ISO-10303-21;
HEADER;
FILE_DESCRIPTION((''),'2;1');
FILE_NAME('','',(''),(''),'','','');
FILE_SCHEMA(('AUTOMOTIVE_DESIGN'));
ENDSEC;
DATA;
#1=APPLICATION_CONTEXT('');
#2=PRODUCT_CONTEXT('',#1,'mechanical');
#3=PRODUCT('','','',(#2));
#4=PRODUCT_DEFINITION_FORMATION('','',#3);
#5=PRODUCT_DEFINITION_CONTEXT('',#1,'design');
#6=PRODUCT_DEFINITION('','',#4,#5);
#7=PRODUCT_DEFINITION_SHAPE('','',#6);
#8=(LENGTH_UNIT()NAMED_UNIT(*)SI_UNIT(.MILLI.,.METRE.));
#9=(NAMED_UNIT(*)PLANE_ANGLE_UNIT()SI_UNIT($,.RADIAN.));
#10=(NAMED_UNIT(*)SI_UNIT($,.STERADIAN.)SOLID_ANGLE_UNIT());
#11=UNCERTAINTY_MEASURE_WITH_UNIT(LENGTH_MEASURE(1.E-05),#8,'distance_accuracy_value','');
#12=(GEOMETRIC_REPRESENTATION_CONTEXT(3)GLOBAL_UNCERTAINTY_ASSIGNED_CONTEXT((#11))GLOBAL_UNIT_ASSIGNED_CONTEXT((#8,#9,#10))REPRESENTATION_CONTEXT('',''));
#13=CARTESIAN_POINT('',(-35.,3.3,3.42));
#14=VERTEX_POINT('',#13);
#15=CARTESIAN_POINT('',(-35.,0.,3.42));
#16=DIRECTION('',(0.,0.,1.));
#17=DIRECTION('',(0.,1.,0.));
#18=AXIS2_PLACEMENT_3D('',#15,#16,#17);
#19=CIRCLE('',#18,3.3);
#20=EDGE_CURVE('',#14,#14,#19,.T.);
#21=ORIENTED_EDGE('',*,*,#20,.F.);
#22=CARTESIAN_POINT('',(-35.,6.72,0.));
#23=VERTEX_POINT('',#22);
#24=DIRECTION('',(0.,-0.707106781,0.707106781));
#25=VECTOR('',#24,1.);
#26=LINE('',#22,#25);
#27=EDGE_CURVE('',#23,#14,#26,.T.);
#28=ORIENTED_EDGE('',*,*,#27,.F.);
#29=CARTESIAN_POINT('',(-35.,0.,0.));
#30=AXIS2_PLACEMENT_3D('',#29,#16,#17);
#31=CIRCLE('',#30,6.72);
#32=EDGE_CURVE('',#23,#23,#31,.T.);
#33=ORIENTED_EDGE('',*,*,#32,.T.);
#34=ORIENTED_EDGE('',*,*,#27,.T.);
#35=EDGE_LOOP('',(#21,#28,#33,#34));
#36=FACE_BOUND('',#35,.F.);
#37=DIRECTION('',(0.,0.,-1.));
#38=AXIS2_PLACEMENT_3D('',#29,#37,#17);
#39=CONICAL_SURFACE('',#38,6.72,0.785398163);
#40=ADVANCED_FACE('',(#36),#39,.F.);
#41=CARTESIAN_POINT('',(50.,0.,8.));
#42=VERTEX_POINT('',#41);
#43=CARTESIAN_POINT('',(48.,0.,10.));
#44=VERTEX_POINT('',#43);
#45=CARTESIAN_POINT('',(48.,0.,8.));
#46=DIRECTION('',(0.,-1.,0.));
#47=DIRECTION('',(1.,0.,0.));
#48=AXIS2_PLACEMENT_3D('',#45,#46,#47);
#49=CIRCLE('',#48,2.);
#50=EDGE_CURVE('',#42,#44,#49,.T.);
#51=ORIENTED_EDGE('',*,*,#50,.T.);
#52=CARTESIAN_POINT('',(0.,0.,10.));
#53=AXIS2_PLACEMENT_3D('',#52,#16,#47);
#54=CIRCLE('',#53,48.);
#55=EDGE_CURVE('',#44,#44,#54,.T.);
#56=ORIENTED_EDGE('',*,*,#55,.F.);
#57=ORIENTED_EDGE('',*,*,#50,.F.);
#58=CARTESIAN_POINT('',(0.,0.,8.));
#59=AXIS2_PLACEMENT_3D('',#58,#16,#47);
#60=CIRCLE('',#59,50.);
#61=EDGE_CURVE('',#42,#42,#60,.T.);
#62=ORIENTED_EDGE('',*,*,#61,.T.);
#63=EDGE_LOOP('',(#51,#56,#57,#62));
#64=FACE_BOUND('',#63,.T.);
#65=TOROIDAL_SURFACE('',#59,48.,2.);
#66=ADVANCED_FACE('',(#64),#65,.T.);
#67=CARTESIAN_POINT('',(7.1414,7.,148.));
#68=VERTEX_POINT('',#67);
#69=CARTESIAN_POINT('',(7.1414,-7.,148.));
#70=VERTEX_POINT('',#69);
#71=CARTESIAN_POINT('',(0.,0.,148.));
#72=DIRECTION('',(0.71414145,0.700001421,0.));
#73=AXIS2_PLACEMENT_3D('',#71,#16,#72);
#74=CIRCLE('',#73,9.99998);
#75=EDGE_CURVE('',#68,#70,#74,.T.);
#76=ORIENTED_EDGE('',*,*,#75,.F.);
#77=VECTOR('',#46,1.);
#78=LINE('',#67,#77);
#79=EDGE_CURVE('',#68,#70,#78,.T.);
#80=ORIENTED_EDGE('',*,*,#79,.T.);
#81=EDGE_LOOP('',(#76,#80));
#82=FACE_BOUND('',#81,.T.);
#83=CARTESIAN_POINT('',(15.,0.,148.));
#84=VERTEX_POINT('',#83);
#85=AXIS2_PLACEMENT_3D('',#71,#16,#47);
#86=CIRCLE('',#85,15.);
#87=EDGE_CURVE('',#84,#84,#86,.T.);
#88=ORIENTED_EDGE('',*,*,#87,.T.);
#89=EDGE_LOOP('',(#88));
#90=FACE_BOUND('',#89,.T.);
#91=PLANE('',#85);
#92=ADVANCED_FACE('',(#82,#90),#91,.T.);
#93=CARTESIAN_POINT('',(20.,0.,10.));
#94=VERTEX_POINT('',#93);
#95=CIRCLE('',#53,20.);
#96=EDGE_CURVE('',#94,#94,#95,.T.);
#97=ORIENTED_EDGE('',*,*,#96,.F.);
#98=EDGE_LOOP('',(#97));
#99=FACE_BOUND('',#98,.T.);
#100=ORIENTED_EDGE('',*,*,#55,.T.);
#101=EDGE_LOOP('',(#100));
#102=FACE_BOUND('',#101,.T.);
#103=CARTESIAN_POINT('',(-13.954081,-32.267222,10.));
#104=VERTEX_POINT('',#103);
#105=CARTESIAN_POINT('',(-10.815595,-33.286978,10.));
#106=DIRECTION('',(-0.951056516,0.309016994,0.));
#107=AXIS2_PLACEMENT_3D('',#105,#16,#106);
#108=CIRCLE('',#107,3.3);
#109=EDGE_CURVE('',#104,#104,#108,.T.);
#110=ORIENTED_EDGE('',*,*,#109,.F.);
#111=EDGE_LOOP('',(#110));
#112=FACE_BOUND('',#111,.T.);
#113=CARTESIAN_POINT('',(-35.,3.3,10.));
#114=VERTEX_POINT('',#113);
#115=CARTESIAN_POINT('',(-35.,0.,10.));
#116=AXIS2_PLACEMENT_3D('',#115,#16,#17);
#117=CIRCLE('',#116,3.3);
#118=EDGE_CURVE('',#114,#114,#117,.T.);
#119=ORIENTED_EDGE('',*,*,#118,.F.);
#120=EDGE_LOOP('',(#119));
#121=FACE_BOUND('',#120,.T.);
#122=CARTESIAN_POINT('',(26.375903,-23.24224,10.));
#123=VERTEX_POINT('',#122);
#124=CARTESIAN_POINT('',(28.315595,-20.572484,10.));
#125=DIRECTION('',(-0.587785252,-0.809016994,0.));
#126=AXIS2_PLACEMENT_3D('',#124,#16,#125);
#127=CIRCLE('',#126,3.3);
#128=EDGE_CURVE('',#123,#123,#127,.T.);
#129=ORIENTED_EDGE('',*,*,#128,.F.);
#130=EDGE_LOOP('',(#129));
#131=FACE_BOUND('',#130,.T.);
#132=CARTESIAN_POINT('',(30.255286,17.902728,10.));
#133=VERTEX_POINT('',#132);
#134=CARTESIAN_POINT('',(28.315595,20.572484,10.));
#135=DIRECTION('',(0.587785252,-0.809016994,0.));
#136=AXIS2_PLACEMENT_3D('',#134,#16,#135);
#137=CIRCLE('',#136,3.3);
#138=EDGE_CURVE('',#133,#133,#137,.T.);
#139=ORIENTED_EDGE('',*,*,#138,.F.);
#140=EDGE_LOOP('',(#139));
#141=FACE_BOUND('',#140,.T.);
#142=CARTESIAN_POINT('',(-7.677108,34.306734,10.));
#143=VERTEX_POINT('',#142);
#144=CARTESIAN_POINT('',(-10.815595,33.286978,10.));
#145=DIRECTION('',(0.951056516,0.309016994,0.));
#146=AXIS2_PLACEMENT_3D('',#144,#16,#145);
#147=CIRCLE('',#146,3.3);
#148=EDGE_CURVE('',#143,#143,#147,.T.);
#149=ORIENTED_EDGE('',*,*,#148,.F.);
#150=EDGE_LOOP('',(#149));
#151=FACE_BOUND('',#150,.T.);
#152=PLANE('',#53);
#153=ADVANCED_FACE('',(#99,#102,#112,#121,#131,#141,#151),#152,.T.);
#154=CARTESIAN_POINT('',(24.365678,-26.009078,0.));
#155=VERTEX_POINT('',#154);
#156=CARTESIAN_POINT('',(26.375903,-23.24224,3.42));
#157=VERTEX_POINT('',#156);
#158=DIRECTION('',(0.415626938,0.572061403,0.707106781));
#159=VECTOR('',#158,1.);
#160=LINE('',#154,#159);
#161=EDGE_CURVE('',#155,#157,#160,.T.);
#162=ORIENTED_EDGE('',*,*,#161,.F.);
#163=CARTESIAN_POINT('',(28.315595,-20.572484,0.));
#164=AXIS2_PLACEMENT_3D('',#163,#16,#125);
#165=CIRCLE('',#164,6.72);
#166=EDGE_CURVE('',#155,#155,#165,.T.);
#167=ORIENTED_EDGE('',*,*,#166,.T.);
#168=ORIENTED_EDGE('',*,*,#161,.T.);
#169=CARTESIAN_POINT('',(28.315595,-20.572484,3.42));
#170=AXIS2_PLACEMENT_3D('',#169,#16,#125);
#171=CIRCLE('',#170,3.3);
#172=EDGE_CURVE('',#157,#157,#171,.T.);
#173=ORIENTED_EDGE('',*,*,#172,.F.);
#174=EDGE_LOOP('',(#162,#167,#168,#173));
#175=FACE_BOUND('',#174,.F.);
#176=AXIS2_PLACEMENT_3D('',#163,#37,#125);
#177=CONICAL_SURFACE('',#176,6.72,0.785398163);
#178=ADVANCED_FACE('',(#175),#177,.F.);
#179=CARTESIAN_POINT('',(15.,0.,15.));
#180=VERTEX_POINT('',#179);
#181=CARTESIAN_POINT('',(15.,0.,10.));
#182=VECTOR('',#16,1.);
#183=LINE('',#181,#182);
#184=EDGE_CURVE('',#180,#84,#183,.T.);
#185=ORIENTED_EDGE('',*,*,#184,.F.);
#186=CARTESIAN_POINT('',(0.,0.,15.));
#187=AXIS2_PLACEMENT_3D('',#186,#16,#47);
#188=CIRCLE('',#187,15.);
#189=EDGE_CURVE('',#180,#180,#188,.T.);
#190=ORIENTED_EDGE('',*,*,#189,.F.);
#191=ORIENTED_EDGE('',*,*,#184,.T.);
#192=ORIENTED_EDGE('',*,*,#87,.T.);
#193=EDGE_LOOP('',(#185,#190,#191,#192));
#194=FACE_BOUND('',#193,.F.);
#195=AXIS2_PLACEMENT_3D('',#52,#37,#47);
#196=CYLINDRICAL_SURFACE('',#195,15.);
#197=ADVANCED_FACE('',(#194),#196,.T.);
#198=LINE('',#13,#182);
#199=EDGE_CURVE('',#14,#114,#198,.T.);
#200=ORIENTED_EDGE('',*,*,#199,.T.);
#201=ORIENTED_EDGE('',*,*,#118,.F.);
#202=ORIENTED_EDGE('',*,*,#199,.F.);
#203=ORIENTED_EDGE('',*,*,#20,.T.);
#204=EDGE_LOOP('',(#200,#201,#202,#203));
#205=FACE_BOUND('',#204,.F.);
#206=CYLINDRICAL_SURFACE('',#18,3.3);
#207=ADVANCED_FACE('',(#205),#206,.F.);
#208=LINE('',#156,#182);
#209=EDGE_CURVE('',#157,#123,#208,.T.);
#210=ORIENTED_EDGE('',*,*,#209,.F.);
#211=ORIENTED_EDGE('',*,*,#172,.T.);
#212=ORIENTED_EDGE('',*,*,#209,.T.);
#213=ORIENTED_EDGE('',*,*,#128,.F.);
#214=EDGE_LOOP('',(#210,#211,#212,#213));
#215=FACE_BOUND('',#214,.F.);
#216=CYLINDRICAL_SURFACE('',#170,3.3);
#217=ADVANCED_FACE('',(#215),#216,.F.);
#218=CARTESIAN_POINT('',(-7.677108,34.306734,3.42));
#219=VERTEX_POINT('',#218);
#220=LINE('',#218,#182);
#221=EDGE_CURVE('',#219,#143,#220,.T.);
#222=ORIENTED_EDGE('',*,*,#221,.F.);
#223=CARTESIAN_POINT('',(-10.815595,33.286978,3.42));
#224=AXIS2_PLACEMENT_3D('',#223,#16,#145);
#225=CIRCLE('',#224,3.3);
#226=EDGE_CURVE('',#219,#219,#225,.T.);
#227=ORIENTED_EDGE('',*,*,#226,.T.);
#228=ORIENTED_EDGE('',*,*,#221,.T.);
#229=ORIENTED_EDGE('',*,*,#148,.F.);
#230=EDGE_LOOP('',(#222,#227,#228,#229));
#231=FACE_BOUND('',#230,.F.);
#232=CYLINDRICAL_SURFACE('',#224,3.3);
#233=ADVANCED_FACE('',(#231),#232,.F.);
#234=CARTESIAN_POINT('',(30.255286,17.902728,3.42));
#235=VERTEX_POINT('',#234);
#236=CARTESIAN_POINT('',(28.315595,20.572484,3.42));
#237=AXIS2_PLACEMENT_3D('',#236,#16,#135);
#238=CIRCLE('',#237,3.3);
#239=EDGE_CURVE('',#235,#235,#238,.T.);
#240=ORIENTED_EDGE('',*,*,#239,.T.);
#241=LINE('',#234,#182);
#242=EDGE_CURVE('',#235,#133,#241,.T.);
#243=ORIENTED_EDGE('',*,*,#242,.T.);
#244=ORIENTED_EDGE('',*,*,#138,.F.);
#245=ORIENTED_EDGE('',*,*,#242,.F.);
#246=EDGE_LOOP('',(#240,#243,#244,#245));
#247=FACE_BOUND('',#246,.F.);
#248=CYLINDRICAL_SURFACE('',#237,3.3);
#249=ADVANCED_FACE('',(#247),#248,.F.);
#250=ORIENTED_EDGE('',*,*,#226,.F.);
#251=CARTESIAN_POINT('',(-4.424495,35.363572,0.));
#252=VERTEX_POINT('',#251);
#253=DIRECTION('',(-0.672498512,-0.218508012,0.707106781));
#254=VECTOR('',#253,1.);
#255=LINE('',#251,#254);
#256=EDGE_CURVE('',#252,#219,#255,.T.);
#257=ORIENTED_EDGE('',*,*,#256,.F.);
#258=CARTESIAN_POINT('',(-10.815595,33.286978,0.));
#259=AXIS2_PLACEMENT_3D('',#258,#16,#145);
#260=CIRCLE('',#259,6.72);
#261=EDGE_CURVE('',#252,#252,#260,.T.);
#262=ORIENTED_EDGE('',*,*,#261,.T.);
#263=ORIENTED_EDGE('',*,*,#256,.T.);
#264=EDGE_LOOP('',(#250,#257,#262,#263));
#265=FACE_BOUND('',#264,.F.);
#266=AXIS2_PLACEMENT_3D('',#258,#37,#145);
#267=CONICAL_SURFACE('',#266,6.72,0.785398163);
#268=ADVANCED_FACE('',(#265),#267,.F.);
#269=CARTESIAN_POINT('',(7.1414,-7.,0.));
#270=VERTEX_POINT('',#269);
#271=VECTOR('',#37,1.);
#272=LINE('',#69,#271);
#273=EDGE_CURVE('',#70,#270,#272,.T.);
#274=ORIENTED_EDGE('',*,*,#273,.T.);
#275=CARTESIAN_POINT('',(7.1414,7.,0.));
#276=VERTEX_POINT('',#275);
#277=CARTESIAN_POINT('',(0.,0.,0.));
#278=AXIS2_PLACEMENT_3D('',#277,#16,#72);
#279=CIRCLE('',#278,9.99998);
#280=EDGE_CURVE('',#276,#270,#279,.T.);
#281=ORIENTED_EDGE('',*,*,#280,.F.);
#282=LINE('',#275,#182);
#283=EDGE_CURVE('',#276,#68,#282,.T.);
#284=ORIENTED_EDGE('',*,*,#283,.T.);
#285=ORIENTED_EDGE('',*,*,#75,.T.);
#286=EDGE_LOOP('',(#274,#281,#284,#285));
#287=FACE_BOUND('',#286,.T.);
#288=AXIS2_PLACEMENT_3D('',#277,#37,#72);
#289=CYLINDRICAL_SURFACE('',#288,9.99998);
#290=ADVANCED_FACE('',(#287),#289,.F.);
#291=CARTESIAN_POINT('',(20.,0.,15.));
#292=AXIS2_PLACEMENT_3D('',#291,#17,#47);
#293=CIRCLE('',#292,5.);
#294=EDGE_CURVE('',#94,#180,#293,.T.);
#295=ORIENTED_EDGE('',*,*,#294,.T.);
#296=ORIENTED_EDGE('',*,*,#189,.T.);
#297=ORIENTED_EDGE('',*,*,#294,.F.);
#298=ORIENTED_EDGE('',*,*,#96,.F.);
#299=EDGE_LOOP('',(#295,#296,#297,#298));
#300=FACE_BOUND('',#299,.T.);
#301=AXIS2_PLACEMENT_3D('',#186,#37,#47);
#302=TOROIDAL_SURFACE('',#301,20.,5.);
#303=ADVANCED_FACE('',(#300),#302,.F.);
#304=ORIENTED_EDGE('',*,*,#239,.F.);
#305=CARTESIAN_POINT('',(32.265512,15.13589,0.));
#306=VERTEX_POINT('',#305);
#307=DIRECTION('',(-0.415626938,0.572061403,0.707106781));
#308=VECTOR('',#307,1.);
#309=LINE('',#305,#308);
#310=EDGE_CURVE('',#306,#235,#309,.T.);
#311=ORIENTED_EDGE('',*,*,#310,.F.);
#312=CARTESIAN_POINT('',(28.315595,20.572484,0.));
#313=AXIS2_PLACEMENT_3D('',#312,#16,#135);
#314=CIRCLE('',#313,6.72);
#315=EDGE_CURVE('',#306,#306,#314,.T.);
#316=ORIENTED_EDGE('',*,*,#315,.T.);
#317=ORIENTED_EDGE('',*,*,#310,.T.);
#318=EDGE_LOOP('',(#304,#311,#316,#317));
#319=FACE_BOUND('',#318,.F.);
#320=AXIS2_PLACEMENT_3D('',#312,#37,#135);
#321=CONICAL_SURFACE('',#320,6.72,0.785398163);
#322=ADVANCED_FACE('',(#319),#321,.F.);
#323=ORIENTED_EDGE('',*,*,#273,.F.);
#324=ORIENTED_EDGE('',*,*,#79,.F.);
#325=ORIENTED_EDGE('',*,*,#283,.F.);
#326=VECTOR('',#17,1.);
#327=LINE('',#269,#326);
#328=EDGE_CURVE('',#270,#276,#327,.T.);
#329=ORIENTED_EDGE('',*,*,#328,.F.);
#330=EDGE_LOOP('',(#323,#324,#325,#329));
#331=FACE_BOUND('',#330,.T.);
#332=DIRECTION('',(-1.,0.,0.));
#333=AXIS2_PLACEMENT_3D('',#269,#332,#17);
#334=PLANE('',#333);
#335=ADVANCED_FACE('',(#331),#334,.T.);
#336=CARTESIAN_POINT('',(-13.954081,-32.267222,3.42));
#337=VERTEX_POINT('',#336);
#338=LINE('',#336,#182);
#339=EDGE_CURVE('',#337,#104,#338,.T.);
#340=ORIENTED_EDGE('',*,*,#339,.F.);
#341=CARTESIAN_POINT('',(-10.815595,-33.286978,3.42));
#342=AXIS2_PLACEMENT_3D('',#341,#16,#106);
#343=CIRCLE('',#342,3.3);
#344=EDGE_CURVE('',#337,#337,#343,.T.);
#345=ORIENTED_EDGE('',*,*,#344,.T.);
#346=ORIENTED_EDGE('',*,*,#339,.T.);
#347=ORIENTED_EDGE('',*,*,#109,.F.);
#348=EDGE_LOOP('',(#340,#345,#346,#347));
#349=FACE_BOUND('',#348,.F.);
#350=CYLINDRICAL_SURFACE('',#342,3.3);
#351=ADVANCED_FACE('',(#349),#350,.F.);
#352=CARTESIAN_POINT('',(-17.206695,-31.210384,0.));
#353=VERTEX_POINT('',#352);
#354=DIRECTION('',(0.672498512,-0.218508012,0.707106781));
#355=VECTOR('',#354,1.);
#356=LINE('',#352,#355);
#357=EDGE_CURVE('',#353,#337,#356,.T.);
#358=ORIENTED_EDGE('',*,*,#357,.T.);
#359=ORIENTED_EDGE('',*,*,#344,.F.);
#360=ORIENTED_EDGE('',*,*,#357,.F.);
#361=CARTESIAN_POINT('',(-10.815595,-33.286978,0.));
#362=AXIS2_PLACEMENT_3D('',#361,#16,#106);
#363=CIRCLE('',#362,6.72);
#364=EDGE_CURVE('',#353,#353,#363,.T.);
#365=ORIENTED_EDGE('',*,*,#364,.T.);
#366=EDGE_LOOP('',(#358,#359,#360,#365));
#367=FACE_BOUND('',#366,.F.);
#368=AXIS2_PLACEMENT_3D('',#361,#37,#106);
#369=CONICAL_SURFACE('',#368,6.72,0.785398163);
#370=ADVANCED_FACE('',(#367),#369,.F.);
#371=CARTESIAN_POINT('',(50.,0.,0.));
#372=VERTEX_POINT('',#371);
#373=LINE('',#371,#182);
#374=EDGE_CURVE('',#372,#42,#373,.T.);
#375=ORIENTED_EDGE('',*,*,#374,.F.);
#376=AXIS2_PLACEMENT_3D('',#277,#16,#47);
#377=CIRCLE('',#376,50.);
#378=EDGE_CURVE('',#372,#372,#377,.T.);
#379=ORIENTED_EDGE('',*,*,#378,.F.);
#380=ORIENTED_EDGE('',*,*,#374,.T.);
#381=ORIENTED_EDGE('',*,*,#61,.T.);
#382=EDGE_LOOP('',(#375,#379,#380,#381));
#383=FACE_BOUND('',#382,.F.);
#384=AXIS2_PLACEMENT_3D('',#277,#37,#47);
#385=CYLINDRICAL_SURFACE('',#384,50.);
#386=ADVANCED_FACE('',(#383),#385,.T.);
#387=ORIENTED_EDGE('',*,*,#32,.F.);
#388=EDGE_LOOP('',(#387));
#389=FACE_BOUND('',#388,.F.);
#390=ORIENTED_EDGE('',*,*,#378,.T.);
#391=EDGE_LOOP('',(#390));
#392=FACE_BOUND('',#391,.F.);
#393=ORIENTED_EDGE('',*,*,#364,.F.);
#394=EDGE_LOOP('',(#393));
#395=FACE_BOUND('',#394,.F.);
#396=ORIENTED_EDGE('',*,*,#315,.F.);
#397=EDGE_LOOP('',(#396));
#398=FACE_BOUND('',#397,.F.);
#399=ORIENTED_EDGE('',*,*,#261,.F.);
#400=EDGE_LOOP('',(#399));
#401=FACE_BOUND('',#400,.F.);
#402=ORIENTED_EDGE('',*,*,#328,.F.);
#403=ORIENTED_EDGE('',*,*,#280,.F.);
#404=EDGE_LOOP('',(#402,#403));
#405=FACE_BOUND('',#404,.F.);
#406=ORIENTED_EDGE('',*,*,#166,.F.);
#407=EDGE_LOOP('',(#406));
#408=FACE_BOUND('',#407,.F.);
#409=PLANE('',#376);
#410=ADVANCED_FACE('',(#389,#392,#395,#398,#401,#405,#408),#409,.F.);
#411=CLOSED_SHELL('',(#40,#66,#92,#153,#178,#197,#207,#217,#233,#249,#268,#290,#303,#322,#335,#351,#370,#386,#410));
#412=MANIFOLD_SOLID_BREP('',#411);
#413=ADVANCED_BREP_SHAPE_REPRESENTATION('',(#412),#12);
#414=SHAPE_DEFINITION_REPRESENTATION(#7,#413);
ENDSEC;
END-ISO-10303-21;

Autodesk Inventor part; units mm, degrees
ref_plane "YZ Plane" through (0, 0, 0) normal (1, 0, 0) x (0, 1, 0)
ref_plane "XZ Plane" through (0, 0, 0) normal (0, 1, 0) x (-1, 0, 0)
ref_plane "XY Plane" through (0, 0, 0) normal (0, 0, 1) x (1, 0, 0)
sketch "Sketch2" plane through (0, 0, 0) normal (0, 0, 1) x (1, 0, 0)
  circle A0 centre (0, 0) radius 50
  arc A1 (7.1414, 7) -> (7.1414, -7) centre (0, 0) ccw
  line L0 (7.1414, -7) -> (7.1414, 7)
  dimension "d2" = 100
  dimension "d3" = 20
  dimension "d23" = 14
extrude "Extrusion1" add sketch "Sketch2" along normal blind 10
sketch "Sketch3" plane through (0, 0, 10) normal (0, 0, 1) x (1, 0, 0)
  circle A0 centre (0, 0) radius 15
  line L0 (7.1414, 7) -> (7.1414, -7) projected
  arc A1 (7.1414, 7) -> (7.1414, -7) centre (0, 0) ccw projected
  circle A2 centre (0, 0) radius 50 projected
  dimension "d6" = 30
extrude "Extrusion2" add sketch "Sketch3" along normal blind 138 contours A0
fillet "Fillet1" radius 2 1 edges at (-50, 0, 10)
fillet "Fillet2" radius 5 1 edges at (-15, 0, 10)
sketch "Sketch4" plane through (0, 0, 0) normal (0, 0, -1) x (-1, 0, 0)
  circle A0 centre (35, 0) radius 6
  point P0 (0, 0)
  dimension "d11" = 35
  dimension "d12" = 12
hole "Hole1" at (-35, 0, 0) direction (0, 0, 1) diameter 6.6 end through all countersink diameter 13.44 countersink angle 90
pattern_circular "Circular Pattern1" count 5 over 360 about axis through (0, 0, 0) along (0, 0, 1) of "Hole1"
properties part number "342-01" material "Titanium"
